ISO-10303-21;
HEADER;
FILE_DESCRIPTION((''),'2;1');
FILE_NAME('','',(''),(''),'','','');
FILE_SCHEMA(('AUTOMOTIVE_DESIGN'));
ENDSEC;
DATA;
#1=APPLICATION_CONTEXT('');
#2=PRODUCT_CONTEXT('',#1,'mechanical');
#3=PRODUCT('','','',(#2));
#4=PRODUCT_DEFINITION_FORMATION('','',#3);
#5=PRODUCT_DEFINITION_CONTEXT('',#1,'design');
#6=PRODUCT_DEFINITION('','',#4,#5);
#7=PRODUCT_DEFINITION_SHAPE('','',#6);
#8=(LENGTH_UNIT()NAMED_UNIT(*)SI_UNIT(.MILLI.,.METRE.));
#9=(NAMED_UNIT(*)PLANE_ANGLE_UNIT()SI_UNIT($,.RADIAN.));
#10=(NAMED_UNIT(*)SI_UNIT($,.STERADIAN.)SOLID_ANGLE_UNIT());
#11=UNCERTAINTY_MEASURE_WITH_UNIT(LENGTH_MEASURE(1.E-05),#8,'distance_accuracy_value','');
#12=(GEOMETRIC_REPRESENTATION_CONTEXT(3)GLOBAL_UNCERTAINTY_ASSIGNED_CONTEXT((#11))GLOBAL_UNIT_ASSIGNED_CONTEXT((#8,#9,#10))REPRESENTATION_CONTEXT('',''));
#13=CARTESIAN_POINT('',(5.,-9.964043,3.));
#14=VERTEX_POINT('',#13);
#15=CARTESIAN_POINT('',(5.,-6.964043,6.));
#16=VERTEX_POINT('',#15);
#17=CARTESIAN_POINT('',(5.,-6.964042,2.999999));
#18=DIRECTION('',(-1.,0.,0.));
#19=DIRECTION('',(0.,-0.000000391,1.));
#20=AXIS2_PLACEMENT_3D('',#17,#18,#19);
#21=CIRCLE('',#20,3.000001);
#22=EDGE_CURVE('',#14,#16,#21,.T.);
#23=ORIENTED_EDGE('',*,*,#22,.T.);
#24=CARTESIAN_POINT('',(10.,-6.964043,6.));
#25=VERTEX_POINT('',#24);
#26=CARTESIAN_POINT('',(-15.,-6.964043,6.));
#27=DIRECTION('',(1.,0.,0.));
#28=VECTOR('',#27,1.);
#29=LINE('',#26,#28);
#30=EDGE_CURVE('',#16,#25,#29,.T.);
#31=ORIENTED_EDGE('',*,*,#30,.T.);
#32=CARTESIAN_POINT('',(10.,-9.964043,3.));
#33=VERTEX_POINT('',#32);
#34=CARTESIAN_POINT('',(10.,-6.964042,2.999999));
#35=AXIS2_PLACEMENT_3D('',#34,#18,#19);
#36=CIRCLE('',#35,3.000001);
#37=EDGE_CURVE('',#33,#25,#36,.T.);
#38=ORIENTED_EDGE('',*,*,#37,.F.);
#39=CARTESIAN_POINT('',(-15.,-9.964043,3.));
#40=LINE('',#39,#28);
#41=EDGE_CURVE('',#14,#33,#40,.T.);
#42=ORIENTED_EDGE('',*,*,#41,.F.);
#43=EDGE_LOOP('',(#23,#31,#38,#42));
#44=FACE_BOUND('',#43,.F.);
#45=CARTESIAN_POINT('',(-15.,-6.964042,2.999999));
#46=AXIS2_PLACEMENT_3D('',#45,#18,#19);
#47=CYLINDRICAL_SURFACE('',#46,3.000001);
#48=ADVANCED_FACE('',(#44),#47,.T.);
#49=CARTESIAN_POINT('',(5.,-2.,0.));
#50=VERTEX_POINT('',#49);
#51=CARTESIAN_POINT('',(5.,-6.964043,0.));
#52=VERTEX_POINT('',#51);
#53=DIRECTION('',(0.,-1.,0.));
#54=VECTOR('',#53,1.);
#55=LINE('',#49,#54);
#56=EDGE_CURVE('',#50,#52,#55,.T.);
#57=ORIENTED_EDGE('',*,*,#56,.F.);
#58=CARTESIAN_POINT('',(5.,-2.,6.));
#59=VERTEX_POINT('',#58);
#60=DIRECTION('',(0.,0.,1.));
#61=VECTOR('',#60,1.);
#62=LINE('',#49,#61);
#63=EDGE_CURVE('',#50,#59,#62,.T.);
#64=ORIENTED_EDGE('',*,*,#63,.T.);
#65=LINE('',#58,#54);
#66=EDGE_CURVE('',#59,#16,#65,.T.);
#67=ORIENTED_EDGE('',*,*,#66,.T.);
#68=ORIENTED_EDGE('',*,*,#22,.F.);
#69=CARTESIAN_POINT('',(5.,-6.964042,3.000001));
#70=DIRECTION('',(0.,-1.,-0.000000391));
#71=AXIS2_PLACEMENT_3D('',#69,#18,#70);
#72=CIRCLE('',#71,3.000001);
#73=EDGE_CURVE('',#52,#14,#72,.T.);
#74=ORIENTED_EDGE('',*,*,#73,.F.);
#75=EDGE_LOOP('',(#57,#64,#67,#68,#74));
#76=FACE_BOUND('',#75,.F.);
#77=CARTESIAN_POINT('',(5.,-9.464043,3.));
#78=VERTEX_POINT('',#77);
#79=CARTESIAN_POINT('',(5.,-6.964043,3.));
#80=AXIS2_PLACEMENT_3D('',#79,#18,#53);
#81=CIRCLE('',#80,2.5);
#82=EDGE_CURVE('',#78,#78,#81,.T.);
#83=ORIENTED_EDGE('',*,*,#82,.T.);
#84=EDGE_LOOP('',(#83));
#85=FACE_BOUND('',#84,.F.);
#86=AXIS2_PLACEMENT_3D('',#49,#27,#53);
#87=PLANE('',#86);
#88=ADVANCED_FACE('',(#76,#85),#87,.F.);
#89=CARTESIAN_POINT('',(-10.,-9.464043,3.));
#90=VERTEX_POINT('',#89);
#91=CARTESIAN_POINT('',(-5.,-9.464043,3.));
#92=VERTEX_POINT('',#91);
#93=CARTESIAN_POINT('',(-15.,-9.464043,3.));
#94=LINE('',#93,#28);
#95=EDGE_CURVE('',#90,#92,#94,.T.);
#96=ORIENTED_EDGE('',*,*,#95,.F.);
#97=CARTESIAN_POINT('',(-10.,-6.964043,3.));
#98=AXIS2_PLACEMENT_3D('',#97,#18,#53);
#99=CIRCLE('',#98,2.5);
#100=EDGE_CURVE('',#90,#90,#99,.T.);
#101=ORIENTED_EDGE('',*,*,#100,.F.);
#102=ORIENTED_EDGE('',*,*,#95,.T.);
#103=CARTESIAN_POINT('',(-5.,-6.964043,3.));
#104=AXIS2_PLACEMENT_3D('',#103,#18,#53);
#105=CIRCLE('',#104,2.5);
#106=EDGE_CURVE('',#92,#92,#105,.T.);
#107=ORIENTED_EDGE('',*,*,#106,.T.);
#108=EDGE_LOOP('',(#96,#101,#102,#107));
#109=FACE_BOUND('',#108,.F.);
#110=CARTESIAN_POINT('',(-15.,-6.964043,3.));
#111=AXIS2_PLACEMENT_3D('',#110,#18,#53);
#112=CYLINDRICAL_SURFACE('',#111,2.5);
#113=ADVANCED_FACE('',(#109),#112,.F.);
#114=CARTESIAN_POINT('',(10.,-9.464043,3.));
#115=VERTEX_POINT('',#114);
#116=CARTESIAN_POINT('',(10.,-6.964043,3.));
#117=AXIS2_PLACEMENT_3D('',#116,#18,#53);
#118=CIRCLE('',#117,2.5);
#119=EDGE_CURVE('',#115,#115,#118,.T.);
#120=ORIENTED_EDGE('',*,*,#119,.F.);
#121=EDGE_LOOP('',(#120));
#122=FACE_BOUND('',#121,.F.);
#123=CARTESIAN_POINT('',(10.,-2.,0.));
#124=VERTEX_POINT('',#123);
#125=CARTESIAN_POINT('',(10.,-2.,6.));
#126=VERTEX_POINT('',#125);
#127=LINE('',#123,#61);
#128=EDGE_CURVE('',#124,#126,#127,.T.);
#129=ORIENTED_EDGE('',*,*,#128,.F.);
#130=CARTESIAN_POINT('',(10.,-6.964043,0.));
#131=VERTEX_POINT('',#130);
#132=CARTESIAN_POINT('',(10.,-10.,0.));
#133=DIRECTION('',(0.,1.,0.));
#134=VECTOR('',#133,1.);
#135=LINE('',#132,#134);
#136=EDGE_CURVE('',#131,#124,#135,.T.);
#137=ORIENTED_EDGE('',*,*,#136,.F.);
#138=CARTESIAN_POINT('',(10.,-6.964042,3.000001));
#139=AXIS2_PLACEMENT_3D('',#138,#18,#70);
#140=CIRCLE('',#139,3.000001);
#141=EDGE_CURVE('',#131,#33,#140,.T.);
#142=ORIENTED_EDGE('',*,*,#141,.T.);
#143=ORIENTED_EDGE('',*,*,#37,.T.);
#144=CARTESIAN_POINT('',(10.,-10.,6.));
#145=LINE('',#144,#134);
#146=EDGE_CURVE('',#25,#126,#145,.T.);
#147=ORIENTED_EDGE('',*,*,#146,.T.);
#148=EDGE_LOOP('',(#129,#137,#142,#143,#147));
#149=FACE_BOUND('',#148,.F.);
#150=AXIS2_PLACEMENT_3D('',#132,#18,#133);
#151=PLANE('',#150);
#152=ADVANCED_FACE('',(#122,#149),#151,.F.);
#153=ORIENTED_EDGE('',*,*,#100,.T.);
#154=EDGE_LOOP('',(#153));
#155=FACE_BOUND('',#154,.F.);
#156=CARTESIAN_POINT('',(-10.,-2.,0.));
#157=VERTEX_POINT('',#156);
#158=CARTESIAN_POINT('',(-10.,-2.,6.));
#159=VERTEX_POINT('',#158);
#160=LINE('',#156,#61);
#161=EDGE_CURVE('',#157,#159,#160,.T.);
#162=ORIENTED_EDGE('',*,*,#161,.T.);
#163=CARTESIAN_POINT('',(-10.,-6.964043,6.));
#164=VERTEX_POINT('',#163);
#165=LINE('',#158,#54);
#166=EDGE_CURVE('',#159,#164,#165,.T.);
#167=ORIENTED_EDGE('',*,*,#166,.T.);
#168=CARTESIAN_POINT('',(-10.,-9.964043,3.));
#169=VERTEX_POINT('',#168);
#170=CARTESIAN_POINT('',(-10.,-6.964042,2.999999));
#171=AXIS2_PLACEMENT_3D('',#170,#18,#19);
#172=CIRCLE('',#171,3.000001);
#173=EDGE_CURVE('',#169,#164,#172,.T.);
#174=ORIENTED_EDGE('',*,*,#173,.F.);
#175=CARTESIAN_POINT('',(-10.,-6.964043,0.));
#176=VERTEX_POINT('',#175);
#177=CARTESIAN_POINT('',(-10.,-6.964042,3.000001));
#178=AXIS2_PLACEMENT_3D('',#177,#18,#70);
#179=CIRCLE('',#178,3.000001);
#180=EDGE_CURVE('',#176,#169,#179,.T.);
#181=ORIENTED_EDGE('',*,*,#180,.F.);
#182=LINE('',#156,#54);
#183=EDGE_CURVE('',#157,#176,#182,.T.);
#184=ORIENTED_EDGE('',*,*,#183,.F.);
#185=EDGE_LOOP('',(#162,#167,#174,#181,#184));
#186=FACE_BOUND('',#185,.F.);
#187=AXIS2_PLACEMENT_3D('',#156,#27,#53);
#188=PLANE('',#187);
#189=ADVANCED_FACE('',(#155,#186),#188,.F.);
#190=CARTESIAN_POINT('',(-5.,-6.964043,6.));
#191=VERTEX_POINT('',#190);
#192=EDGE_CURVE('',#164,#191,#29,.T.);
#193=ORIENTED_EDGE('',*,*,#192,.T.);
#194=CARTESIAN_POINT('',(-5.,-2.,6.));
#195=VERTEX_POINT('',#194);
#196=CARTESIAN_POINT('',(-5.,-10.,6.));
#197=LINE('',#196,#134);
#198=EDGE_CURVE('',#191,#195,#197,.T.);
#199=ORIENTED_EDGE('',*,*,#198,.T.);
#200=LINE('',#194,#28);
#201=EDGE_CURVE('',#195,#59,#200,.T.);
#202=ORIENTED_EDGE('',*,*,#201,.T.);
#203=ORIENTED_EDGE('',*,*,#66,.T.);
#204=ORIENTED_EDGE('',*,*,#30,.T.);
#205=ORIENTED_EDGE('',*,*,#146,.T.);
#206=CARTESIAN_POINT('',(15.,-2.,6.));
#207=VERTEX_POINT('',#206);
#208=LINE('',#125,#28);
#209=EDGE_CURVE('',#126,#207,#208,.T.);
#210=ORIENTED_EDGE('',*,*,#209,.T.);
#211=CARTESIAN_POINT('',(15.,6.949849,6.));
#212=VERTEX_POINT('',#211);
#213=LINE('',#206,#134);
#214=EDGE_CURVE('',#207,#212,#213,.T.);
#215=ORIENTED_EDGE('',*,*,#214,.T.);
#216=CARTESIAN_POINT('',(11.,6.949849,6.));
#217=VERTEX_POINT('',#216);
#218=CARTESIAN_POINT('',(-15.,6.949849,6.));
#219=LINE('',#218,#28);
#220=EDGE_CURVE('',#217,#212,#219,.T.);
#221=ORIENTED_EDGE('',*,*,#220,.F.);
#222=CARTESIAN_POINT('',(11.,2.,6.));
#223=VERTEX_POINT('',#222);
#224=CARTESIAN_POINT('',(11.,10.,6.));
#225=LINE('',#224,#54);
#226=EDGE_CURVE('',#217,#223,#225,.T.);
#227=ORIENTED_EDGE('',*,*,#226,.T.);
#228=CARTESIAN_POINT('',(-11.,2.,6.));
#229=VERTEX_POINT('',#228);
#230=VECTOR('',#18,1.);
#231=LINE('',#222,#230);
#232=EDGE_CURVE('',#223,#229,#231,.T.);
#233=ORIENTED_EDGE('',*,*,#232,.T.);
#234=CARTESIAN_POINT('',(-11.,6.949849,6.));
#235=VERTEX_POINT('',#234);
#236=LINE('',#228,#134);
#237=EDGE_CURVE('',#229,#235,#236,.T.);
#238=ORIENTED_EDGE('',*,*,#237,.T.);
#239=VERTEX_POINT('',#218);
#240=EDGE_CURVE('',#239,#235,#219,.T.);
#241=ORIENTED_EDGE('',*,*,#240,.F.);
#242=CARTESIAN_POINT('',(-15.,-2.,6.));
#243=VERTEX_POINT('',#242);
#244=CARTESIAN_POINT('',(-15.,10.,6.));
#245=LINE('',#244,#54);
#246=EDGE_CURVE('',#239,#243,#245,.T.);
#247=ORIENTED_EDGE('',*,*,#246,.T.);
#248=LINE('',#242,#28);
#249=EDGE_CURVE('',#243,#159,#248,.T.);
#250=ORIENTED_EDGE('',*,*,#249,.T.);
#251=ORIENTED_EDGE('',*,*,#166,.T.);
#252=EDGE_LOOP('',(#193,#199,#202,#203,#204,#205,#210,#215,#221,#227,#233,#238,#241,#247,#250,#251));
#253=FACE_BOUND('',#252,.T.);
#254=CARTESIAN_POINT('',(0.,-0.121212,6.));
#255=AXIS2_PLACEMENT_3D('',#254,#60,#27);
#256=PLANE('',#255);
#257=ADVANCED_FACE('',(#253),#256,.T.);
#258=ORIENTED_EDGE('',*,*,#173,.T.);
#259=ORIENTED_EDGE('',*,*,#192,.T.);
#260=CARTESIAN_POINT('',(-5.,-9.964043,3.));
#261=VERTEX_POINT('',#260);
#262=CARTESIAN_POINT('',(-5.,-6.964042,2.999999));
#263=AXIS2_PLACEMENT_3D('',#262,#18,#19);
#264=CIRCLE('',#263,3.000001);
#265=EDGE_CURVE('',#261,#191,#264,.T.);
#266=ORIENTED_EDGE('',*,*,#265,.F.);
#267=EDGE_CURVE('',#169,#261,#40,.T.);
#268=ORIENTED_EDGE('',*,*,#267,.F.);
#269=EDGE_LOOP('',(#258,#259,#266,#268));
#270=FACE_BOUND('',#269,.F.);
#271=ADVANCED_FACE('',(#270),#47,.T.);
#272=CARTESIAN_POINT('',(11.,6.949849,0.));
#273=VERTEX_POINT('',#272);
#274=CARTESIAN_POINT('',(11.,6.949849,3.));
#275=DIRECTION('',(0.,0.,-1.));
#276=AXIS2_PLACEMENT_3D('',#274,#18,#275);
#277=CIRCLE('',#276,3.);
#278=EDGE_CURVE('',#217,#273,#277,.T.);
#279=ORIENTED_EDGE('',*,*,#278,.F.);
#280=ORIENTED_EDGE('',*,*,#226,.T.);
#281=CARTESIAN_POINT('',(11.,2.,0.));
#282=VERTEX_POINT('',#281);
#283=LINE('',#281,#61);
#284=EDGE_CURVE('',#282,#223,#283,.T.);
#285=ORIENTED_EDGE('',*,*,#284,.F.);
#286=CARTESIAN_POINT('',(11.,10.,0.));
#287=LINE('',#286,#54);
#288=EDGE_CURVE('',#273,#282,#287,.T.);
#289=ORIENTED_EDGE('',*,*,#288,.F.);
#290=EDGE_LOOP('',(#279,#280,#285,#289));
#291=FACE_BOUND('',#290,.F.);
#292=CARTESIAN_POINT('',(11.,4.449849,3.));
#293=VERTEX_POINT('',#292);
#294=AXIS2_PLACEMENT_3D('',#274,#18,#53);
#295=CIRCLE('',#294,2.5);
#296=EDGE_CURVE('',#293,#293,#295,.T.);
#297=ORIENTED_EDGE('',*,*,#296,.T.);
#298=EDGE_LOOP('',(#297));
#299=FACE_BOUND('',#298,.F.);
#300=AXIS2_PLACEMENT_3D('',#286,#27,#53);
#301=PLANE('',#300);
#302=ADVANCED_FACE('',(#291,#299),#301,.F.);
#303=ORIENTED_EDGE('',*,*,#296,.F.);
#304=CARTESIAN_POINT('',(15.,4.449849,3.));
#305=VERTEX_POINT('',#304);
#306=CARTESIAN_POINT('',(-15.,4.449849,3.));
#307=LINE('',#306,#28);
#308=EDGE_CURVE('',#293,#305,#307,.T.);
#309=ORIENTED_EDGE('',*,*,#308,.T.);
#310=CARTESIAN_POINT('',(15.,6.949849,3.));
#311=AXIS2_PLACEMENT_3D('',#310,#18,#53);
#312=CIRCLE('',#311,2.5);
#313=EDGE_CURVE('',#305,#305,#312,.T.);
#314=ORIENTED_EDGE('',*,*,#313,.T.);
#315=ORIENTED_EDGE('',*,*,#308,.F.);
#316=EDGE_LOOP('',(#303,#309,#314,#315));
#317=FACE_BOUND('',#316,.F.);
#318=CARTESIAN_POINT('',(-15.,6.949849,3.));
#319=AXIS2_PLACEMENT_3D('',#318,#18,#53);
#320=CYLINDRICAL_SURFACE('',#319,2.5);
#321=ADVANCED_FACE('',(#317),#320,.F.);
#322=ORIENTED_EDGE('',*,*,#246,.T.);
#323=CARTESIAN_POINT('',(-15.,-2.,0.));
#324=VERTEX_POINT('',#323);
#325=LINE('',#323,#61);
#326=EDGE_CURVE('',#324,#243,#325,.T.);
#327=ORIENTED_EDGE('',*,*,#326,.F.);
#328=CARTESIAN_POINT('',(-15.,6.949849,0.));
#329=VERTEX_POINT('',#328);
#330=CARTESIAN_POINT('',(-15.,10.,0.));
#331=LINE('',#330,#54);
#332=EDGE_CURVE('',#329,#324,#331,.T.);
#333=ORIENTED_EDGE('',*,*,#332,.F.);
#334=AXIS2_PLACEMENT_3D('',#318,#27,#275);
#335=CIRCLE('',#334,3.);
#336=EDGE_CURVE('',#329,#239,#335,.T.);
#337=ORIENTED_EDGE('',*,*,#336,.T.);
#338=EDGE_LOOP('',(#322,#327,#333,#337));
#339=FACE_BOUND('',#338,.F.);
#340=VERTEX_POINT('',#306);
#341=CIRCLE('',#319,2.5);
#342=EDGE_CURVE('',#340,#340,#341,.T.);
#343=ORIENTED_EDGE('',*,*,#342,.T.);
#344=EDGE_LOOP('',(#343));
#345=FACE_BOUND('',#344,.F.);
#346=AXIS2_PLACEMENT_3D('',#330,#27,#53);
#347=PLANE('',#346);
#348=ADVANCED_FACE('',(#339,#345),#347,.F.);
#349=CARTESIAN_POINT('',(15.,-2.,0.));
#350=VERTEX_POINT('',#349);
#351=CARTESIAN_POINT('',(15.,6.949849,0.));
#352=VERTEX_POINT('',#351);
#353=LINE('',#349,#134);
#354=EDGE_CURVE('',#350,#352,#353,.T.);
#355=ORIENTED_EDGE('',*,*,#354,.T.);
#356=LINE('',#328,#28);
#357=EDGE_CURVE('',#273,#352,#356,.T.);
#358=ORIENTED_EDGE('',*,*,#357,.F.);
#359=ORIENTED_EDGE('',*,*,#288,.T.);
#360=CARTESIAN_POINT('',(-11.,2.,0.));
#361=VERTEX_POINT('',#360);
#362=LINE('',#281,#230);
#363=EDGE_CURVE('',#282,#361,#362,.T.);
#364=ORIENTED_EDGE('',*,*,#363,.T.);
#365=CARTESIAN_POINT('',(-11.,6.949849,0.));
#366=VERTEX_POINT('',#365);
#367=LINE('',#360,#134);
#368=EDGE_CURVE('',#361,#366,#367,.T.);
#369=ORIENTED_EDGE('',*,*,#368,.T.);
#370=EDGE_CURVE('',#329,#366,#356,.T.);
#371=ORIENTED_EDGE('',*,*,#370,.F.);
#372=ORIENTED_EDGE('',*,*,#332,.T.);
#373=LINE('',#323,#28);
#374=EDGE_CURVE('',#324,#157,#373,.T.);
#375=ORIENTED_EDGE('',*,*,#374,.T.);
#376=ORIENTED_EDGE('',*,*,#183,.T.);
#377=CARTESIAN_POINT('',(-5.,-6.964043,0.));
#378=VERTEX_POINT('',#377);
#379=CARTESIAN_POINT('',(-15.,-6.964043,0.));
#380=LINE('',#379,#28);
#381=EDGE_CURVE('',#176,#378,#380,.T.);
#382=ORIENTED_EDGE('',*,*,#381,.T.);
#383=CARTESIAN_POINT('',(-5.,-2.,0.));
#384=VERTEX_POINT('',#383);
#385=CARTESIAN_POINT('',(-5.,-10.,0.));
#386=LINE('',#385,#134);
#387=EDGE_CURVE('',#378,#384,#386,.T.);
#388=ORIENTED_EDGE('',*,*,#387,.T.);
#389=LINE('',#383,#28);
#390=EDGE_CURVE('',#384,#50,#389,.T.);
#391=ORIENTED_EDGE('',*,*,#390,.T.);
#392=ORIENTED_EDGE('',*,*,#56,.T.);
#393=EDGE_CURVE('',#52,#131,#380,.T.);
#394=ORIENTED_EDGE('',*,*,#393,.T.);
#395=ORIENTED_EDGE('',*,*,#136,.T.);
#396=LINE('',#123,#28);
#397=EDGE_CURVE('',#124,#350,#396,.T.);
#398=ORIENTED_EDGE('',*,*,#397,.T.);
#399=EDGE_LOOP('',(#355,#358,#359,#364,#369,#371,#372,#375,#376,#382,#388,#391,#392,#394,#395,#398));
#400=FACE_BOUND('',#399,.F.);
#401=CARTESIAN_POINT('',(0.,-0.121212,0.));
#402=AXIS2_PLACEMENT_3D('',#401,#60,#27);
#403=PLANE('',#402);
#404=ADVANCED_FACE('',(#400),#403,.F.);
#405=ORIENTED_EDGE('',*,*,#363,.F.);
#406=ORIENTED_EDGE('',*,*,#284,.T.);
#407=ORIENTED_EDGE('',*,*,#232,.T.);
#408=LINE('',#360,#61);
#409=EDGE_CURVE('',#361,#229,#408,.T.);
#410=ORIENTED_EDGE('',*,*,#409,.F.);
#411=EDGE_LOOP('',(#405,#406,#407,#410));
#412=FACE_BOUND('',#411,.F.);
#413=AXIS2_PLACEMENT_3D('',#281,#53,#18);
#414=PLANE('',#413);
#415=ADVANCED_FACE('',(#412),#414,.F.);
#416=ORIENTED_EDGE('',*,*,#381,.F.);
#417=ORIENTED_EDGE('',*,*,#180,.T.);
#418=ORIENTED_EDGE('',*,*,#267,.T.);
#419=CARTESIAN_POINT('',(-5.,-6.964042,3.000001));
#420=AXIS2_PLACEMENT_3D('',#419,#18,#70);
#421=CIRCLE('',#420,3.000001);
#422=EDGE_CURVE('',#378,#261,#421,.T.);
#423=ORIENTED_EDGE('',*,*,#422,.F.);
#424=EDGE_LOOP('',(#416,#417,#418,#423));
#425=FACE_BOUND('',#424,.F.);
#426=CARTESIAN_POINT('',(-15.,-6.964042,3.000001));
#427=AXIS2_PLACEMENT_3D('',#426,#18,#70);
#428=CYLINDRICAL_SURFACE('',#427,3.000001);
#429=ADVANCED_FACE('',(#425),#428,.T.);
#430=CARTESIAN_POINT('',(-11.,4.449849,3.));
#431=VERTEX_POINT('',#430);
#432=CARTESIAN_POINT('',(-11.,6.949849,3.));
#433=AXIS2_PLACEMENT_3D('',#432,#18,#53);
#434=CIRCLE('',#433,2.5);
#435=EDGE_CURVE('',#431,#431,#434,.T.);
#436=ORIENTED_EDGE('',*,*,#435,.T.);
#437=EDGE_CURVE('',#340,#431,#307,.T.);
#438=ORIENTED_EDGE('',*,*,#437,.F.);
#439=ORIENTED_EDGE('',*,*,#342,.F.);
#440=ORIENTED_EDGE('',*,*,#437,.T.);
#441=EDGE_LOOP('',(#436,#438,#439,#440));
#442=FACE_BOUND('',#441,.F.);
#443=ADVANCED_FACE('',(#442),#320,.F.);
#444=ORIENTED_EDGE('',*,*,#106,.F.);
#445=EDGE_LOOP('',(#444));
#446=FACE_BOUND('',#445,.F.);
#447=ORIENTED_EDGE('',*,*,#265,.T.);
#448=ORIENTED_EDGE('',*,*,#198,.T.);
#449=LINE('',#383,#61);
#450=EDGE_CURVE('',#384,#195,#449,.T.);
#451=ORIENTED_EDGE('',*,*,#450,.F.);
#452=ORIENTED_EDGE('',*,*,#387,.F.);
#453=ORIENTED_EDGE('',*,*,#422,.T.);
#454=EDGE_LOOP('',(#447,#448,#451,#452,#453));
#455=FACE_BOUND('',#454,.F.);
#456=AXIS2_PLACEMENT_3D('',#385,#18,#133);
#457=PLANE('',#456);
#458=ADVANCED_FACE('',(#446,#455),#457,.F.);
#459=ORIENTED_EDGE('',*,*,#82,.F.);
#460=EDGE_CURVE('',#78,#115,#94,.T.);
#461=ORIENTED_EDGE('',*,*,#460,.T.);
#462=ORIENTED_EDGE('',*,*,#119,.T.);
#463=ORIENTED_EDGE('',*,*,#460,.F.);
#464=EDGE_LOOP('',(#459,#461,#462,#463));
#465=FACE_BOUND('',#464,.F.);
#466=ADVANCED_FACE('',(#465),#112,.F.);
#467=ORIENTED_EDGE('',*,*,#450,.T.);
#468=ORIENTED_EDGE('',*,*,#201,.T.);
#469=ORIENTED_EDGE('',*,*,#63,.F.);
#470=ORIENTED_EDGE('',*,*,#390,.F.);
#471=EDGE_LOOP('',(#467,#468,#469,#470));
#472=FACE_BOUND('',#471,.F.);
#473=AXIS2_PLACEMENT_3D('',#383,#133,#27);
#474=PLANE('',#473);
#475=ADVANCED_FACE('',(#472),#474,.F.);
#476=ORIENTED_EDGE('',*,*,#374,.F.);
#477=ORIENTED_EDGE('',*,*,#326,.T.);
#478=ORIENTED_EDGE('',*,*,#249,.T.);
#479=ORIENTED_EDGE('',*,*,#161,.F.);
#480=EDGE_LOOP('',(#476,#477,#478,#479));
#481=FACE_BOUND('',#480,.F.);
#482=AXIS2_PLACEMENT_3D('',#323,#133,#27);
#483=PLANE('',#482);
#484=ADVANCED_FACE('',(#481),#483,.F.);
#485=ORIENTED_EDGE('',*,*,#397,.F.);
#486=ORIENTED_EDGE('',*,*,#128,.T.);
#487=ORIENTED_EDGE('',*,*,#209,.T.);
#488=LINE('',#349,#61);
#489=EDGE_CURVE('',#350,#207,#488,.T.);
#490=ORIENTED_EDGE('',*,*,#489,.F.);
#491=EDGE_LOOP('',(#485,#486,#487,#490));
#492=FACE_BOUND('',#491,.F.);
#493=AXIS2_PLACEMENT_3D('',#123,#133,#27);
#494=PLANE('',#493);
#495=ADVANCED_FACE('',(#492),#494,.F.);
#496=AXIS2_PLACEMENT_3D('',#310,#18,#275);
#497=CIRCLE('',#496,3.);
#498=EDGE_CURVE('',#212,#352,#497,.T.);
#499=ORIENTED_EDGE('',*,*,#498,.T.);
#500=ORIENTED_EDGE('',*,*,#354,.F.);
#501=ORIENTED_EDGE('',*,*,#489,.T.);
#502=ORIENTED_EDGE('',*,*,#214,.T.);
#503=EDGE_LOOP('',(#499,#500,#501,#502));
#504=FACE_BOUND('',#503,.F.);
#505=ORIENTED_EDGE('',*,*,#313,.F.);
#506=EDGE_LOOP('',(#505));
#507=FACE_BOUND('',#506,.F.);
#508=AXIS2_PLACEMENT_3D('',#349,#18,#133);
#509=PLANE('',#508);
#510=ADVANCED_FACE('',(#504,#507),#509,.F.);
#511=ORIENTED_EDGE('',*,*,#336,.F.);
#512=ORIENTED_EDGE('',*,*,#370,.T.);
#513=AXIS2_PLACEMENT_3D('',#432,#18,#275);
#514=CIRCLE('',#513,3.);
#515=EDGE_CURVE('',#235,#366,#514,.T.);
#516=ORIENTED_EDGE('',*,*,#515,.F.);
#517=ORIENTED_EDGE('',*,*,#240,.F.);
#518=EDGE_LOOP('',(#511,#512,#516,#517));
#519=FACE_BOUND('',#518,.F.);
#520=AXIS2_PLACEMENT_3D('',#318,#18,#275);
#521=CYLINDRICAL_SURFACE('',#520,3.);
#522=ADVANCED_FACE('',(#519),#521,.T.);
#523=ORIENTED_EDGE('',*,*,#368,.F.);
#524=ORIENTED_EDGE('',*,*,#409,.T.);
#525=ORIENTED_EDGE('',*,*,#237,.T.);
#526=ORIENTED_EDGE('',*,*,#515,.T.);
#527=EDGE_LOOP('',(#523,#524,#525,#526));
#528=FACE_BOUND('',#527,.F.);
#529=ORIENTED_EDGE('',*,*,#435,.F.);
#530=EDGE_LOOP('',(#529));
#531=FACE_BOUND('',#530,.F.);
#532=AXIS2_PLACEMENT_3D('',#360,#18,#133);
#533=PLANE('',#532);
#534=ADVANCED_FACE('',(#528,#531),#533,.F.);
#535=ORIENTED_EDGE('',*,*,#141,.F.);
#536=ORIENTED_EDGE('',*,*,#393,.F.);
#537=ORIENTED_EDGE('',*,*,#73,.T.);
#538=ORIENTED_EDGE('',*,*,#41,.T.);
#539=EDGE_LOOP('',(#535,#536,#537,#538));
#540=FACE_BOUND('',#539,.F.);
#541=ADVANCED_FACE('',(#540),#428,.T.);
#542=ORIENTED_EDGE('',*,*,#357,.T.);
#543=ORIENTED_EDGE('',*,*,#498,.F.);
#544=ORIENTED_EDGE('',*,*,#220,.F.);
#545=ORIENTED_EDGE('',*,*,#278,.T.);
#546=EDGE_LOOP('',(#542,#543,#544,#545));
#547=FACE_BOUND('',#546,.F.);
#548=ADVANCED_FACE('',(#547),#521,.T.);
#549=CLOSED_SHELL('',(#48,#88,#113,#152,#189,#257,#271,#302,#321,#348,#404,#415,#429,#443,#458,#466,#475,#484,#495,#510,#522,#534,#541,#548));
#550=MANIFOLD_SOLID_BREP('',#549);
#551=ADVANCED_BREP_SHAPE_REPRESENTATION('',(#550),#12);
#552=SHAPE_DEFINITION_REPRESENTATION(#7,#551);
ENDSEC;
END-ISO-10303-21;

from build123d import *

# Parameters (mm, degrees)
F1_DEPTH = 6
F2_R     = 2.5
F3_DEPTH = 50


with BuildPart() as f1:
    # F0 (on Top) → F1 (new body)
    with BuildSketch(Plane.XY):
        Polygon((5, -10), (10, -10), (10, -2), (15, -2), (15, 10), (11, 10), (11, 2), (-11, 2), (-11, 10), (-15, 10), (-15, -2), (-10, -2), (-10, -10), (-5, -10), (-5, -2), (5, -2), align=None)
    extrude(amount=F1_DEPTH)

    # F2 (on face) → F3 (cut)
    with BuildSketch(Plane(origin=(-15, 0, 0), x_dir=(0, -1, 0), z_dir=(-1, 0, 0))):
        with Locations((-6.949849, 3)):
            Circle(F2_R)
        with BuildLine():
            ThreePointArc((-6.949849, 0), (-9.949849, 3), (-6.949849, 6))
            Line((-6.949849, 6), (-10, 6))
            Line((-10, 6), (-10, 0))
            Line((-10, 0), (-6.949849, 0))
        make_face()
        with Locations((6.964043, 3)):
            Circle(F2_R)
        with BuildLine():
            Line((10, 6), (6.964043, 6))
            ThreePointArc((6.964043, 6), (9.085363, 5.12132), (9.964043, 3))
            ThreePointArc((9.964043, 3), (9.085363, 0.87868), (6.964043, 0))
            Line((6.964043, 0), (10, 0))
            Line((10, 0), (10, 6))
        make_face()
    extrude(amount=-F3_DEPTH, mode=Mode.SUBTRACT)


solid = f1.part
